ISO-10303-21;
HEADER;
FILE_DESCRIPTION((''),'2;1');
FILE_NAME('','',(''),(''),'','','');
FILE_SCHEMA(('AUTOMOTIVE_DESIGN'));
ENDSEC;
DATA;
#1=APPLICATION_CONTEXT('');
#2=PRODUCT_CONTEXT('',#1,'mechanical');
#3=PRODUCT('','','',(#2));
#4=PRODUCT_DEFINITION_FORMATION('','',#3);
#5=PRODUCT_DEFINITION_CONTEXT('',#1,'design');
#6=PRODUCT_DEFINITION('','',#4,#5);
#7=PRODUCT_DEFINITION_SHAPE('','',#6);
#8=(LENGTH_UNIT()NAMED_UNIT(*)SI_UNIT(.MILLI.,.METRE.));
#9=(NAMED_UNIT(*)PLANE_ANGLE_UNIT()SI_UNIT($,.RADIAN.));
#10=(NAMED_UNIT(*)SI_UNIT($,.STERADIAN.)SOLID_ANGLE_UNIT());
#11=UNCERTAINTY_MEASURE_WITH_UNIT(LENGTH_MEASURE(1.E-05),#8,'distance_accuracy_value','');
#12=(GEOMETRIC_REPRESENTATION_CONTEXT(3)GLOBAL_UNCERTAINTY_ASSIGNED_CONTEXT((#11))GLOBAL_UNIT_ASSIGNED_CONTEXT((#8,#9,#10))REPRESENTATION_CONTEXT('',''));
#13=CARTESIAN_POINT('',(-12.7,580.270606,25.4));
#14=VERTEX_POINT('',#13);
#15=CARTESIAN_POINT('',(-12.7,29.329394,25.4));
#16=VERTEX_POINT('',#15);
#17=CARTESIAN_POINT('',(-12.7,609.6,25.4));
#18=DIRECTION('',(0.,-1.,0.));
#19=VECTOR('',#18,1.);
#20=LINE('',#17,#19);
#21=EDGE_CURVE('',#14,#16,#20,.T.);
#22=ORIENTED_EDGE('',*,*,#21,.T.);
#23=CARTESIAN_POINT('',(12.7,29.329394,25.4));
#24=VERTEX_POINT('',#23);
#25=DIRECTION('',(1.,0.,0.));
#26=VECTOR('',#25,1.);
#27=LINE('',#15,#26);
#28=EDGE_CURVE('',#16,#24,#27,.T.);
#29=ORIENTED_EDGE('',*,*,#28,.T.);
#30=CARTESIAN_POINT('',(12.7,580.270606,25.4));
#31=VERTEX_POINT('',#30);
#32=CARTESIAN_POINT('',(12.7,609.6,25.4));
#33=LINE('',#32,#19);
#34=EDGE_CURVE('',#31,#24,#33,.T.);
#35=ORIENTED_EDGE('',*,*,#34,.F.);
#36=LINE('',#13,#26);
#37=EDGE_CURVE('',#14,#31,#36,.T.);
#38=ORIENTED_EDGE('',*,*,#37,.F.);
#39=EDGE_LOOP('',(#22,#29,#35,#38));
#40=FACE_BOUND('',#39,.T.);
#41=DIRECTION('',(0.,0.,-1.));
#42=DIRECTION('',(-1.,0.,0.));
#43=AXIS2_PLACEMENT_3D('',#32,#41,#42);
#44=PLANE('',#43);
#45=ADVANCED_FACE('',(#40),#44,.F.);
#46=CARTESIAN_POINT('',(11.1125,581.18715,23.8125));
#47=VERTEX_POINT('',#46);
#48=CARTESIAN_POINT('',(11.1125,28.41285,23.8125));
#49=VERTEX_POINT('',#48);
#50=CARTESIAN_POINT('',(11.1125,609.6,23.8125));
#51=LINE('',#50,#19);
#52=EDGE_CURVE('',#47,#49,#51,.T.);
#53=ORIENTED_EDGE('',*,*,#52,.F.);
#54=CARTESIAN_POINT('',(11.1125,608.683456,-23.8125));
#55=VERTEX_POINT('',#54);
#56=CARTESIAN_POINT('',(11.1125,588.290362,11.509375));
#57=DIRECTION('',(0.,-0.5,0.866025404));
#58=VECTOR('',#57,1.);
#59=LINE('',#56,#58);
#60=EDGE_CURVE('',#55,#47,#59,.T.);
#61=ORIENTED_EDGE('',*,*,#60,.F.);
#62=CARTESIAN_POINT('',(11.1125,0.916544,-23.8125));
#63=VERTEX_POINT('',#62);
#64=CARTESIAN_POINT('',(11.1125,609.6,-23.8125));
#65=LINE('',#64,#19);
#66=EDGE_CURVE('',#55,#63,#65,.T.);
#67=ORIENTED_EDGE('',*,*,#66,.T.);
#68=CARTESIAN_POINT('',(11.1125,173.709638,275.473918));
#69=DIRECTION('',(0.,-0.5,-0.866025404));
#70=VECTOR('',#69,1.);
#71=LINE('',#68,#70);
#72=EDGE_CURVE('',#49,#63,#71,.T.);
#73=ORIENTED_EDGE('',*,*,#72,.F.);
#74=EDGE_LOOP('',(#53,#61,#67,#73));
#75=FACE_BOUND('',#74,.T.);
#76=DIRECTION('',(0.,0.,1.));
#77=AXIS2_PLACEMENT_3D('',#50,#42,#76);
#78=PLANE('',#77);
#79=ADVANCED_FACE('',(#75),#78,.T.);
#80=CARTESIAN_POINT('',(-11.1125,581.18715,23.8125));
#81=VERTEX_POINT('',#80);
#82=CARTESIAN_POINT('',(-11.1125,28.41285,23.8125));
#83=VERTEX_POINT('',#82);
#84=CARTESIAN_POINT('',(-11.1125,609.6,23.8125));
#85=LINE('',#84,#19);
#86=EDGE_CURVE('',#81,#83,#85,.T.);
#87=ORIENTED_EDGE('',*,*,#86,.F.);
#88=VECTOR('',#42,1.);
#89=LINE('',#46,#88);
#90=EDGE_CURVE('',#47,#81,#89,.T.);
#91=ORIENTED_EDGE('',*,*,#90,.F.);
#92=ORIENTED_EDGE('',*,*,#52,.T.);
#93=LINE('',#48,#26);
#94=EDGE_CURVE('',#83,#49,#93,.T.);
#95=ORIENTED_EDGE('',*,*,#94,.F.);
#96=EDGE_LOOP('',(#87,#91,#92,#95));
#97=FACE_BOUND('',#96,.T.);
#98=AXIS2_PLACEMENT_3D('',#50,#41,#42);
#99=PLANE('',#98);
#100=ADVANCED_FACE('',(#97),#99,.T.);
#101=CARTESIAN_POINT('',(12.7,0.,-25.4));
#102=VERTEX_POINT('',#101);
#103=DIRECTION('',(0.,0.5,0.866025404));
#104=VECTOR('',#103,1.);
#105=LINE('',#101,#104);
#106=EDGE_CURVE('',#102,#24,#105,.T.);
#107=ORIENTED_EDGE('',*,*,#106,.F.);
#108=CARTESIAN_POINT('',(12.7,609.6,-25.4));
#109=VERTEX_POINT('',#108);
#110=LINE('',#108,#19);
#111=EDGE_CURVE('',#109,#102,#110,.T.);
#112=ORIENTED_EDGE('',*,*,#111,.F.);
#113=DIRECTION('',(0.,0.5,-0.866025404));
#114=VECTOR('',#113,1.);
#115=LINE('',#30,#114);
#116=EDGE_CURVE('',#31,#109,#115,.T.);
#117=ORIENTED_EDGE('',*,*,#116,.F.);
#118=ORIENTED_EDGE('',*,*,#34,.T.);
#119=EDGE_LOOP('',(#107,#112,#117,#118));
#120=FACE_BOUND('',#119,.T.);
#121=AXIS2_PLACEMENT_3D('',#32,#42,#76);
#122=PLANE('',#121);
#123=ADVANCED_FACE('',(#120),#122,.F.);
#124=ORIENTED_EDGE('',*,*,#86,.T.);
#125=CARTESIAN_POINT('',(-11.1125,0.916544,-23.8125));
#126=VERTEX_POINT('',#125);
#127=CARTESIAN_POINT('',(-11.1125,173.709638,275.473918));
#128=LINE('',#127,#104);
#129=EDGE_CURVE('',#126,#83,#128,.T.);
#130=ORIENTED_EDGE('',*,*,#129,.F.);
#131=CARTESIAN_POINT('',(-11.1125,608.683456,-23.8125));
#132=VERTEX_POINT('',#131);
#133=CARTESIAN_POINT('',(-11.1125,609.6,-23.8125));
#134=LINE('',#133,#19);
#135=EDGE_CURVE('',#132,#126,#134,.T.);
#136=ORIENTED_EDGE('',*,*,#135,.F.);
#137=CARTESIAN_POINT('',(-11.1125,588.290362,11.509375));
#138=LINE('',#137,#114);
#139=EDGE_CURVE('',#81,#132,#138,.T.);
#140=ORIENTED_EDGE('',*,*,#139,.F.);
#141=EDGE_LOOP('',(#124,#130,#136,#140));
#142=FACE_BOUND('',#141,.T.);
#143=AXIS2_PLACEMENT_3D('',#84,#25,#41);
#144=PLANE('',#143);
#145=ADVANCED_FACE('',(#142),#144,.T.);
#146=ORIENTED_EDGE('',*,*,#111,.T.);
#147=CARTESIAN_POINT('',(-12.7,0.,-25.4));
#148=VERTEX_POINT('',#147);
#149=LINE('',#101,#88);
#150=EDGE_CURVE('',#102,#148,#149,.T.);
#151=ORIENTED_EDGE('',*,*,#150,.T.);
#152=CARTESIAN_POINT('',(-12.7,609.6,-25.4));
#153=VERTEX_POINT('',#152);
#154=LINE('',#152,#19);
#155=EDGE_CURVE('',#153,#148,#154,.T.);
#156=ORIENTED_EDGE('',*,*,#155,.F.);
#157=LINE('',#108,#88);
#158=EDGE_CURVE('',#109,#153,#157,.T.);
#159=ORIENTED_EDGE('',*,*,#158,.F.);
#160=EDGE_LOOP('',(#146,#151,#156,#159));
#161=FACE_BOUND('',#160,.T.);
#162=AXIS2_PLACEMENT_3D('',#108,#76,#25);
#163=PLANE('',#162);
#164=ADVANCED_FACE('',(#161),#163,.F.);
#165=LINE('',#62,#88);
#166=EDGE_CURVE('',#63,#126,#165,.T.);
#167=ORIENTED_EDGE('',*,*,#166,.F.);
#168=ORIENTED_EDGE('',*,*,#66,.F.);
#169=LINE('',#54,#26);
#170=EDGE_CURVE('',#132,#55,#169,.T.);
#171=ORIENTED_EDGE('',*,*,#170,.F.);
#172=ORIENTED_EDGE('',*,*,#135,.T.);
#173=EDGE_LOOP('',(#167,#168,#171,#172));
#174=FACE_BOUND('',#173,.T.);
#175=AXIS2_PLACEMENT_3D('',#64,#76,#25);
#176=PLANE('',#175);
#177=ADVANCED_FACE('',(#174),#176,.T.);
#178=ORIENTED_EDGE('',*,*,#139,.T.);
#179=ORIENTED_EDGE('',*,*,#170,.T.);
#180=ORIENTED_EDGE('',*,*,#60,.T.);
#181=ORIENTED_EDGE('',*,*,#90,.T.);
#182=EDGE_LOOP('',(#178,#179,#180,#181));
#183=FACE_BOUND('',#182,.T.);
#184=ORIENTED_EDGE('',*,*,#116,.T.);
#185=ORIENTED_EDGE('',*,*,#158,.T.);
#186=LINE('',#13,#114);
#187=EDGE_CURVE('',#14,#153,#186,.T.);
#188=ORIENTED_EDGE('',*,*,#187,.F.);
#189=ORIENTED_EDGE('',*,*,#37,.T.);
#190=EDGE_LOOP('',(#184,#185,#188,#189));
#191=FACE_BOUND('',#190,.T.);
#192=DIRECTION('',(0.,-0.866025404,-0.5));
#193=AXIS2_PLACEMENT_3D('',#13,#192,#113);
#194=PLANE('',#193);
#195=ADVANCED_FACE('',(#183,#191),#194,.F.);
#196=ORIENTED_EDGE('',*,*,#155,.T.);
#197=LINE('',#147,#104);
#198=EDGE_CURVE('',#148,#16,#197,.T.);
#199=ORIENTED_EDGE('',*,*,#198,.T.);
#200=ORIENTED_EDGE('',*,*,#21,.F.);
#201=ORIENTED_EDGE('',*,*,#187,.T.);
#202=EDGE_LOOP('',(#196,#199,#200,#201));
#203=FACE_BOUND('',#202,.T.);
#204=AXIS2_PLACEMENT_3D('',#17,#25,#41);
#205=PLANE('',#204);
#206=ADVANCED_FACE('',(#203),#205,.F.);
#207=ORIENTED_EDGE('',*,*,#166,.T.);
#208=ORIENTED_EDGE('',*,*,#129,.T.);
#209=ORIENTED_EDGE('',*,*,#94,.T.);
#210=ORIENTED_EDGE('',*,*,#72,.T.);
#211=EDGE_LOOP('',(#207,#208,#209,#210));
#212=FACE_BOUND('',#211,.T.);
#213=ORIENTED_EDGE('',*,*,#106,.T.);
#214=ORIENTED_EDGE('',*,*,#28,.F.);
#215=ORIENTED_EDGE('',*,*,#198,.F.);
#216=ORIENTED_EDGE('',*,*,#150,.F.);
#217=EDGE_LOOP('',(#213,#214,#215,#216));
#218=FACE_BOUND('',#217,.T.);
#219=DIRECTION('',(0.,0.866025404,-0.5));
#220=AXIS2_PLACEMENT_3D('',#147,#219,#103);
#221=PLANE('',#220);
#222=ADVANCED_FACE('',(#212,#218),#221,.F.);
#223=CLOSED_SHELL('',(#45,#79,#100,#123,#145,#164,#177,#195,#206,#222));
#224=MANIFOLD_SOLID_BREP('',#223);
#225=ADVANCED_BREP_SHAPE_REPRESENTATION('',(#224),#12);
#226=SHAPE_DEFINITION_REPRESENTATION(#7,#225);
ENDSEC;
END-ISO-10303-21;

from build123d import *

# Parameters (mm, degrees)
SKETCH1_W               = 25.4
SKETCH1_H               = 50.8
SKETCH1_W_2             = 22.225
SKETCH1_H_2             = 47.625
BOSS_EXTRUDE1_DEPTH     = 609.6
CUT_EXTRUDE1_DEPTH      = 611.657416233
CUT_EXTRUDE2_DEPTH      = 611.261099858
CUT_EXTRUDE2_DEPTH_BACK = 611.261099858


with BuildPart() as part:
    # Sketch1 → Boss-Extrude1 (new body)
    with BuildSketch(Plane(origin=(0, 0, 0), x_dir=(1, 0, 0), z_dir=(0, 1, 0))):
        Rectangle(SKETCH1_W, SKETCH1_H)
        Rectangle(SKETCH1_W_2, SKETCH1_H_2, mode=Mode.SUBTRACT)
    extrude(amount=BOSS_EXTRUDE1_DEPTH)

    # Sketch2 → Cut-Extrude1 (cut, through all)
    with BuildSketch(Plane(origin=(12.7, 0, 0), x_dir=(0, 0, -1), z_dir=(1, 0, 0))):
        Polygon((25.4, 609.6), (-25.4, 609.6), (-25.4, 580.270606325), align=None)
    extrude(amount=-CUT_EXTRUDE1_DEPTH, mode=Mode.SUBTRACT)

    # Sketch3 → Cut-Extrude2 (cut, two sides: drawn at the far end of the back side and taken through both)
    with BuildSketch(Plane(origin=(0, 0, 0), x_dir=(0, 0, -1), z_dir=(1, 0, 0)).offset(-CUT_EXTRUDE2_DEPTH_BACK)):
        Polygon((-25.4, 0), (25.4, 0), (-25.4, 29.329393675), align=None)
    extrude(amount=CUT_EXTRUDE2_DEPTH + CUT_EXTRUDE2_DEPTH_BACK, mode=Mode.SUBTRACT)


solid = part.part
